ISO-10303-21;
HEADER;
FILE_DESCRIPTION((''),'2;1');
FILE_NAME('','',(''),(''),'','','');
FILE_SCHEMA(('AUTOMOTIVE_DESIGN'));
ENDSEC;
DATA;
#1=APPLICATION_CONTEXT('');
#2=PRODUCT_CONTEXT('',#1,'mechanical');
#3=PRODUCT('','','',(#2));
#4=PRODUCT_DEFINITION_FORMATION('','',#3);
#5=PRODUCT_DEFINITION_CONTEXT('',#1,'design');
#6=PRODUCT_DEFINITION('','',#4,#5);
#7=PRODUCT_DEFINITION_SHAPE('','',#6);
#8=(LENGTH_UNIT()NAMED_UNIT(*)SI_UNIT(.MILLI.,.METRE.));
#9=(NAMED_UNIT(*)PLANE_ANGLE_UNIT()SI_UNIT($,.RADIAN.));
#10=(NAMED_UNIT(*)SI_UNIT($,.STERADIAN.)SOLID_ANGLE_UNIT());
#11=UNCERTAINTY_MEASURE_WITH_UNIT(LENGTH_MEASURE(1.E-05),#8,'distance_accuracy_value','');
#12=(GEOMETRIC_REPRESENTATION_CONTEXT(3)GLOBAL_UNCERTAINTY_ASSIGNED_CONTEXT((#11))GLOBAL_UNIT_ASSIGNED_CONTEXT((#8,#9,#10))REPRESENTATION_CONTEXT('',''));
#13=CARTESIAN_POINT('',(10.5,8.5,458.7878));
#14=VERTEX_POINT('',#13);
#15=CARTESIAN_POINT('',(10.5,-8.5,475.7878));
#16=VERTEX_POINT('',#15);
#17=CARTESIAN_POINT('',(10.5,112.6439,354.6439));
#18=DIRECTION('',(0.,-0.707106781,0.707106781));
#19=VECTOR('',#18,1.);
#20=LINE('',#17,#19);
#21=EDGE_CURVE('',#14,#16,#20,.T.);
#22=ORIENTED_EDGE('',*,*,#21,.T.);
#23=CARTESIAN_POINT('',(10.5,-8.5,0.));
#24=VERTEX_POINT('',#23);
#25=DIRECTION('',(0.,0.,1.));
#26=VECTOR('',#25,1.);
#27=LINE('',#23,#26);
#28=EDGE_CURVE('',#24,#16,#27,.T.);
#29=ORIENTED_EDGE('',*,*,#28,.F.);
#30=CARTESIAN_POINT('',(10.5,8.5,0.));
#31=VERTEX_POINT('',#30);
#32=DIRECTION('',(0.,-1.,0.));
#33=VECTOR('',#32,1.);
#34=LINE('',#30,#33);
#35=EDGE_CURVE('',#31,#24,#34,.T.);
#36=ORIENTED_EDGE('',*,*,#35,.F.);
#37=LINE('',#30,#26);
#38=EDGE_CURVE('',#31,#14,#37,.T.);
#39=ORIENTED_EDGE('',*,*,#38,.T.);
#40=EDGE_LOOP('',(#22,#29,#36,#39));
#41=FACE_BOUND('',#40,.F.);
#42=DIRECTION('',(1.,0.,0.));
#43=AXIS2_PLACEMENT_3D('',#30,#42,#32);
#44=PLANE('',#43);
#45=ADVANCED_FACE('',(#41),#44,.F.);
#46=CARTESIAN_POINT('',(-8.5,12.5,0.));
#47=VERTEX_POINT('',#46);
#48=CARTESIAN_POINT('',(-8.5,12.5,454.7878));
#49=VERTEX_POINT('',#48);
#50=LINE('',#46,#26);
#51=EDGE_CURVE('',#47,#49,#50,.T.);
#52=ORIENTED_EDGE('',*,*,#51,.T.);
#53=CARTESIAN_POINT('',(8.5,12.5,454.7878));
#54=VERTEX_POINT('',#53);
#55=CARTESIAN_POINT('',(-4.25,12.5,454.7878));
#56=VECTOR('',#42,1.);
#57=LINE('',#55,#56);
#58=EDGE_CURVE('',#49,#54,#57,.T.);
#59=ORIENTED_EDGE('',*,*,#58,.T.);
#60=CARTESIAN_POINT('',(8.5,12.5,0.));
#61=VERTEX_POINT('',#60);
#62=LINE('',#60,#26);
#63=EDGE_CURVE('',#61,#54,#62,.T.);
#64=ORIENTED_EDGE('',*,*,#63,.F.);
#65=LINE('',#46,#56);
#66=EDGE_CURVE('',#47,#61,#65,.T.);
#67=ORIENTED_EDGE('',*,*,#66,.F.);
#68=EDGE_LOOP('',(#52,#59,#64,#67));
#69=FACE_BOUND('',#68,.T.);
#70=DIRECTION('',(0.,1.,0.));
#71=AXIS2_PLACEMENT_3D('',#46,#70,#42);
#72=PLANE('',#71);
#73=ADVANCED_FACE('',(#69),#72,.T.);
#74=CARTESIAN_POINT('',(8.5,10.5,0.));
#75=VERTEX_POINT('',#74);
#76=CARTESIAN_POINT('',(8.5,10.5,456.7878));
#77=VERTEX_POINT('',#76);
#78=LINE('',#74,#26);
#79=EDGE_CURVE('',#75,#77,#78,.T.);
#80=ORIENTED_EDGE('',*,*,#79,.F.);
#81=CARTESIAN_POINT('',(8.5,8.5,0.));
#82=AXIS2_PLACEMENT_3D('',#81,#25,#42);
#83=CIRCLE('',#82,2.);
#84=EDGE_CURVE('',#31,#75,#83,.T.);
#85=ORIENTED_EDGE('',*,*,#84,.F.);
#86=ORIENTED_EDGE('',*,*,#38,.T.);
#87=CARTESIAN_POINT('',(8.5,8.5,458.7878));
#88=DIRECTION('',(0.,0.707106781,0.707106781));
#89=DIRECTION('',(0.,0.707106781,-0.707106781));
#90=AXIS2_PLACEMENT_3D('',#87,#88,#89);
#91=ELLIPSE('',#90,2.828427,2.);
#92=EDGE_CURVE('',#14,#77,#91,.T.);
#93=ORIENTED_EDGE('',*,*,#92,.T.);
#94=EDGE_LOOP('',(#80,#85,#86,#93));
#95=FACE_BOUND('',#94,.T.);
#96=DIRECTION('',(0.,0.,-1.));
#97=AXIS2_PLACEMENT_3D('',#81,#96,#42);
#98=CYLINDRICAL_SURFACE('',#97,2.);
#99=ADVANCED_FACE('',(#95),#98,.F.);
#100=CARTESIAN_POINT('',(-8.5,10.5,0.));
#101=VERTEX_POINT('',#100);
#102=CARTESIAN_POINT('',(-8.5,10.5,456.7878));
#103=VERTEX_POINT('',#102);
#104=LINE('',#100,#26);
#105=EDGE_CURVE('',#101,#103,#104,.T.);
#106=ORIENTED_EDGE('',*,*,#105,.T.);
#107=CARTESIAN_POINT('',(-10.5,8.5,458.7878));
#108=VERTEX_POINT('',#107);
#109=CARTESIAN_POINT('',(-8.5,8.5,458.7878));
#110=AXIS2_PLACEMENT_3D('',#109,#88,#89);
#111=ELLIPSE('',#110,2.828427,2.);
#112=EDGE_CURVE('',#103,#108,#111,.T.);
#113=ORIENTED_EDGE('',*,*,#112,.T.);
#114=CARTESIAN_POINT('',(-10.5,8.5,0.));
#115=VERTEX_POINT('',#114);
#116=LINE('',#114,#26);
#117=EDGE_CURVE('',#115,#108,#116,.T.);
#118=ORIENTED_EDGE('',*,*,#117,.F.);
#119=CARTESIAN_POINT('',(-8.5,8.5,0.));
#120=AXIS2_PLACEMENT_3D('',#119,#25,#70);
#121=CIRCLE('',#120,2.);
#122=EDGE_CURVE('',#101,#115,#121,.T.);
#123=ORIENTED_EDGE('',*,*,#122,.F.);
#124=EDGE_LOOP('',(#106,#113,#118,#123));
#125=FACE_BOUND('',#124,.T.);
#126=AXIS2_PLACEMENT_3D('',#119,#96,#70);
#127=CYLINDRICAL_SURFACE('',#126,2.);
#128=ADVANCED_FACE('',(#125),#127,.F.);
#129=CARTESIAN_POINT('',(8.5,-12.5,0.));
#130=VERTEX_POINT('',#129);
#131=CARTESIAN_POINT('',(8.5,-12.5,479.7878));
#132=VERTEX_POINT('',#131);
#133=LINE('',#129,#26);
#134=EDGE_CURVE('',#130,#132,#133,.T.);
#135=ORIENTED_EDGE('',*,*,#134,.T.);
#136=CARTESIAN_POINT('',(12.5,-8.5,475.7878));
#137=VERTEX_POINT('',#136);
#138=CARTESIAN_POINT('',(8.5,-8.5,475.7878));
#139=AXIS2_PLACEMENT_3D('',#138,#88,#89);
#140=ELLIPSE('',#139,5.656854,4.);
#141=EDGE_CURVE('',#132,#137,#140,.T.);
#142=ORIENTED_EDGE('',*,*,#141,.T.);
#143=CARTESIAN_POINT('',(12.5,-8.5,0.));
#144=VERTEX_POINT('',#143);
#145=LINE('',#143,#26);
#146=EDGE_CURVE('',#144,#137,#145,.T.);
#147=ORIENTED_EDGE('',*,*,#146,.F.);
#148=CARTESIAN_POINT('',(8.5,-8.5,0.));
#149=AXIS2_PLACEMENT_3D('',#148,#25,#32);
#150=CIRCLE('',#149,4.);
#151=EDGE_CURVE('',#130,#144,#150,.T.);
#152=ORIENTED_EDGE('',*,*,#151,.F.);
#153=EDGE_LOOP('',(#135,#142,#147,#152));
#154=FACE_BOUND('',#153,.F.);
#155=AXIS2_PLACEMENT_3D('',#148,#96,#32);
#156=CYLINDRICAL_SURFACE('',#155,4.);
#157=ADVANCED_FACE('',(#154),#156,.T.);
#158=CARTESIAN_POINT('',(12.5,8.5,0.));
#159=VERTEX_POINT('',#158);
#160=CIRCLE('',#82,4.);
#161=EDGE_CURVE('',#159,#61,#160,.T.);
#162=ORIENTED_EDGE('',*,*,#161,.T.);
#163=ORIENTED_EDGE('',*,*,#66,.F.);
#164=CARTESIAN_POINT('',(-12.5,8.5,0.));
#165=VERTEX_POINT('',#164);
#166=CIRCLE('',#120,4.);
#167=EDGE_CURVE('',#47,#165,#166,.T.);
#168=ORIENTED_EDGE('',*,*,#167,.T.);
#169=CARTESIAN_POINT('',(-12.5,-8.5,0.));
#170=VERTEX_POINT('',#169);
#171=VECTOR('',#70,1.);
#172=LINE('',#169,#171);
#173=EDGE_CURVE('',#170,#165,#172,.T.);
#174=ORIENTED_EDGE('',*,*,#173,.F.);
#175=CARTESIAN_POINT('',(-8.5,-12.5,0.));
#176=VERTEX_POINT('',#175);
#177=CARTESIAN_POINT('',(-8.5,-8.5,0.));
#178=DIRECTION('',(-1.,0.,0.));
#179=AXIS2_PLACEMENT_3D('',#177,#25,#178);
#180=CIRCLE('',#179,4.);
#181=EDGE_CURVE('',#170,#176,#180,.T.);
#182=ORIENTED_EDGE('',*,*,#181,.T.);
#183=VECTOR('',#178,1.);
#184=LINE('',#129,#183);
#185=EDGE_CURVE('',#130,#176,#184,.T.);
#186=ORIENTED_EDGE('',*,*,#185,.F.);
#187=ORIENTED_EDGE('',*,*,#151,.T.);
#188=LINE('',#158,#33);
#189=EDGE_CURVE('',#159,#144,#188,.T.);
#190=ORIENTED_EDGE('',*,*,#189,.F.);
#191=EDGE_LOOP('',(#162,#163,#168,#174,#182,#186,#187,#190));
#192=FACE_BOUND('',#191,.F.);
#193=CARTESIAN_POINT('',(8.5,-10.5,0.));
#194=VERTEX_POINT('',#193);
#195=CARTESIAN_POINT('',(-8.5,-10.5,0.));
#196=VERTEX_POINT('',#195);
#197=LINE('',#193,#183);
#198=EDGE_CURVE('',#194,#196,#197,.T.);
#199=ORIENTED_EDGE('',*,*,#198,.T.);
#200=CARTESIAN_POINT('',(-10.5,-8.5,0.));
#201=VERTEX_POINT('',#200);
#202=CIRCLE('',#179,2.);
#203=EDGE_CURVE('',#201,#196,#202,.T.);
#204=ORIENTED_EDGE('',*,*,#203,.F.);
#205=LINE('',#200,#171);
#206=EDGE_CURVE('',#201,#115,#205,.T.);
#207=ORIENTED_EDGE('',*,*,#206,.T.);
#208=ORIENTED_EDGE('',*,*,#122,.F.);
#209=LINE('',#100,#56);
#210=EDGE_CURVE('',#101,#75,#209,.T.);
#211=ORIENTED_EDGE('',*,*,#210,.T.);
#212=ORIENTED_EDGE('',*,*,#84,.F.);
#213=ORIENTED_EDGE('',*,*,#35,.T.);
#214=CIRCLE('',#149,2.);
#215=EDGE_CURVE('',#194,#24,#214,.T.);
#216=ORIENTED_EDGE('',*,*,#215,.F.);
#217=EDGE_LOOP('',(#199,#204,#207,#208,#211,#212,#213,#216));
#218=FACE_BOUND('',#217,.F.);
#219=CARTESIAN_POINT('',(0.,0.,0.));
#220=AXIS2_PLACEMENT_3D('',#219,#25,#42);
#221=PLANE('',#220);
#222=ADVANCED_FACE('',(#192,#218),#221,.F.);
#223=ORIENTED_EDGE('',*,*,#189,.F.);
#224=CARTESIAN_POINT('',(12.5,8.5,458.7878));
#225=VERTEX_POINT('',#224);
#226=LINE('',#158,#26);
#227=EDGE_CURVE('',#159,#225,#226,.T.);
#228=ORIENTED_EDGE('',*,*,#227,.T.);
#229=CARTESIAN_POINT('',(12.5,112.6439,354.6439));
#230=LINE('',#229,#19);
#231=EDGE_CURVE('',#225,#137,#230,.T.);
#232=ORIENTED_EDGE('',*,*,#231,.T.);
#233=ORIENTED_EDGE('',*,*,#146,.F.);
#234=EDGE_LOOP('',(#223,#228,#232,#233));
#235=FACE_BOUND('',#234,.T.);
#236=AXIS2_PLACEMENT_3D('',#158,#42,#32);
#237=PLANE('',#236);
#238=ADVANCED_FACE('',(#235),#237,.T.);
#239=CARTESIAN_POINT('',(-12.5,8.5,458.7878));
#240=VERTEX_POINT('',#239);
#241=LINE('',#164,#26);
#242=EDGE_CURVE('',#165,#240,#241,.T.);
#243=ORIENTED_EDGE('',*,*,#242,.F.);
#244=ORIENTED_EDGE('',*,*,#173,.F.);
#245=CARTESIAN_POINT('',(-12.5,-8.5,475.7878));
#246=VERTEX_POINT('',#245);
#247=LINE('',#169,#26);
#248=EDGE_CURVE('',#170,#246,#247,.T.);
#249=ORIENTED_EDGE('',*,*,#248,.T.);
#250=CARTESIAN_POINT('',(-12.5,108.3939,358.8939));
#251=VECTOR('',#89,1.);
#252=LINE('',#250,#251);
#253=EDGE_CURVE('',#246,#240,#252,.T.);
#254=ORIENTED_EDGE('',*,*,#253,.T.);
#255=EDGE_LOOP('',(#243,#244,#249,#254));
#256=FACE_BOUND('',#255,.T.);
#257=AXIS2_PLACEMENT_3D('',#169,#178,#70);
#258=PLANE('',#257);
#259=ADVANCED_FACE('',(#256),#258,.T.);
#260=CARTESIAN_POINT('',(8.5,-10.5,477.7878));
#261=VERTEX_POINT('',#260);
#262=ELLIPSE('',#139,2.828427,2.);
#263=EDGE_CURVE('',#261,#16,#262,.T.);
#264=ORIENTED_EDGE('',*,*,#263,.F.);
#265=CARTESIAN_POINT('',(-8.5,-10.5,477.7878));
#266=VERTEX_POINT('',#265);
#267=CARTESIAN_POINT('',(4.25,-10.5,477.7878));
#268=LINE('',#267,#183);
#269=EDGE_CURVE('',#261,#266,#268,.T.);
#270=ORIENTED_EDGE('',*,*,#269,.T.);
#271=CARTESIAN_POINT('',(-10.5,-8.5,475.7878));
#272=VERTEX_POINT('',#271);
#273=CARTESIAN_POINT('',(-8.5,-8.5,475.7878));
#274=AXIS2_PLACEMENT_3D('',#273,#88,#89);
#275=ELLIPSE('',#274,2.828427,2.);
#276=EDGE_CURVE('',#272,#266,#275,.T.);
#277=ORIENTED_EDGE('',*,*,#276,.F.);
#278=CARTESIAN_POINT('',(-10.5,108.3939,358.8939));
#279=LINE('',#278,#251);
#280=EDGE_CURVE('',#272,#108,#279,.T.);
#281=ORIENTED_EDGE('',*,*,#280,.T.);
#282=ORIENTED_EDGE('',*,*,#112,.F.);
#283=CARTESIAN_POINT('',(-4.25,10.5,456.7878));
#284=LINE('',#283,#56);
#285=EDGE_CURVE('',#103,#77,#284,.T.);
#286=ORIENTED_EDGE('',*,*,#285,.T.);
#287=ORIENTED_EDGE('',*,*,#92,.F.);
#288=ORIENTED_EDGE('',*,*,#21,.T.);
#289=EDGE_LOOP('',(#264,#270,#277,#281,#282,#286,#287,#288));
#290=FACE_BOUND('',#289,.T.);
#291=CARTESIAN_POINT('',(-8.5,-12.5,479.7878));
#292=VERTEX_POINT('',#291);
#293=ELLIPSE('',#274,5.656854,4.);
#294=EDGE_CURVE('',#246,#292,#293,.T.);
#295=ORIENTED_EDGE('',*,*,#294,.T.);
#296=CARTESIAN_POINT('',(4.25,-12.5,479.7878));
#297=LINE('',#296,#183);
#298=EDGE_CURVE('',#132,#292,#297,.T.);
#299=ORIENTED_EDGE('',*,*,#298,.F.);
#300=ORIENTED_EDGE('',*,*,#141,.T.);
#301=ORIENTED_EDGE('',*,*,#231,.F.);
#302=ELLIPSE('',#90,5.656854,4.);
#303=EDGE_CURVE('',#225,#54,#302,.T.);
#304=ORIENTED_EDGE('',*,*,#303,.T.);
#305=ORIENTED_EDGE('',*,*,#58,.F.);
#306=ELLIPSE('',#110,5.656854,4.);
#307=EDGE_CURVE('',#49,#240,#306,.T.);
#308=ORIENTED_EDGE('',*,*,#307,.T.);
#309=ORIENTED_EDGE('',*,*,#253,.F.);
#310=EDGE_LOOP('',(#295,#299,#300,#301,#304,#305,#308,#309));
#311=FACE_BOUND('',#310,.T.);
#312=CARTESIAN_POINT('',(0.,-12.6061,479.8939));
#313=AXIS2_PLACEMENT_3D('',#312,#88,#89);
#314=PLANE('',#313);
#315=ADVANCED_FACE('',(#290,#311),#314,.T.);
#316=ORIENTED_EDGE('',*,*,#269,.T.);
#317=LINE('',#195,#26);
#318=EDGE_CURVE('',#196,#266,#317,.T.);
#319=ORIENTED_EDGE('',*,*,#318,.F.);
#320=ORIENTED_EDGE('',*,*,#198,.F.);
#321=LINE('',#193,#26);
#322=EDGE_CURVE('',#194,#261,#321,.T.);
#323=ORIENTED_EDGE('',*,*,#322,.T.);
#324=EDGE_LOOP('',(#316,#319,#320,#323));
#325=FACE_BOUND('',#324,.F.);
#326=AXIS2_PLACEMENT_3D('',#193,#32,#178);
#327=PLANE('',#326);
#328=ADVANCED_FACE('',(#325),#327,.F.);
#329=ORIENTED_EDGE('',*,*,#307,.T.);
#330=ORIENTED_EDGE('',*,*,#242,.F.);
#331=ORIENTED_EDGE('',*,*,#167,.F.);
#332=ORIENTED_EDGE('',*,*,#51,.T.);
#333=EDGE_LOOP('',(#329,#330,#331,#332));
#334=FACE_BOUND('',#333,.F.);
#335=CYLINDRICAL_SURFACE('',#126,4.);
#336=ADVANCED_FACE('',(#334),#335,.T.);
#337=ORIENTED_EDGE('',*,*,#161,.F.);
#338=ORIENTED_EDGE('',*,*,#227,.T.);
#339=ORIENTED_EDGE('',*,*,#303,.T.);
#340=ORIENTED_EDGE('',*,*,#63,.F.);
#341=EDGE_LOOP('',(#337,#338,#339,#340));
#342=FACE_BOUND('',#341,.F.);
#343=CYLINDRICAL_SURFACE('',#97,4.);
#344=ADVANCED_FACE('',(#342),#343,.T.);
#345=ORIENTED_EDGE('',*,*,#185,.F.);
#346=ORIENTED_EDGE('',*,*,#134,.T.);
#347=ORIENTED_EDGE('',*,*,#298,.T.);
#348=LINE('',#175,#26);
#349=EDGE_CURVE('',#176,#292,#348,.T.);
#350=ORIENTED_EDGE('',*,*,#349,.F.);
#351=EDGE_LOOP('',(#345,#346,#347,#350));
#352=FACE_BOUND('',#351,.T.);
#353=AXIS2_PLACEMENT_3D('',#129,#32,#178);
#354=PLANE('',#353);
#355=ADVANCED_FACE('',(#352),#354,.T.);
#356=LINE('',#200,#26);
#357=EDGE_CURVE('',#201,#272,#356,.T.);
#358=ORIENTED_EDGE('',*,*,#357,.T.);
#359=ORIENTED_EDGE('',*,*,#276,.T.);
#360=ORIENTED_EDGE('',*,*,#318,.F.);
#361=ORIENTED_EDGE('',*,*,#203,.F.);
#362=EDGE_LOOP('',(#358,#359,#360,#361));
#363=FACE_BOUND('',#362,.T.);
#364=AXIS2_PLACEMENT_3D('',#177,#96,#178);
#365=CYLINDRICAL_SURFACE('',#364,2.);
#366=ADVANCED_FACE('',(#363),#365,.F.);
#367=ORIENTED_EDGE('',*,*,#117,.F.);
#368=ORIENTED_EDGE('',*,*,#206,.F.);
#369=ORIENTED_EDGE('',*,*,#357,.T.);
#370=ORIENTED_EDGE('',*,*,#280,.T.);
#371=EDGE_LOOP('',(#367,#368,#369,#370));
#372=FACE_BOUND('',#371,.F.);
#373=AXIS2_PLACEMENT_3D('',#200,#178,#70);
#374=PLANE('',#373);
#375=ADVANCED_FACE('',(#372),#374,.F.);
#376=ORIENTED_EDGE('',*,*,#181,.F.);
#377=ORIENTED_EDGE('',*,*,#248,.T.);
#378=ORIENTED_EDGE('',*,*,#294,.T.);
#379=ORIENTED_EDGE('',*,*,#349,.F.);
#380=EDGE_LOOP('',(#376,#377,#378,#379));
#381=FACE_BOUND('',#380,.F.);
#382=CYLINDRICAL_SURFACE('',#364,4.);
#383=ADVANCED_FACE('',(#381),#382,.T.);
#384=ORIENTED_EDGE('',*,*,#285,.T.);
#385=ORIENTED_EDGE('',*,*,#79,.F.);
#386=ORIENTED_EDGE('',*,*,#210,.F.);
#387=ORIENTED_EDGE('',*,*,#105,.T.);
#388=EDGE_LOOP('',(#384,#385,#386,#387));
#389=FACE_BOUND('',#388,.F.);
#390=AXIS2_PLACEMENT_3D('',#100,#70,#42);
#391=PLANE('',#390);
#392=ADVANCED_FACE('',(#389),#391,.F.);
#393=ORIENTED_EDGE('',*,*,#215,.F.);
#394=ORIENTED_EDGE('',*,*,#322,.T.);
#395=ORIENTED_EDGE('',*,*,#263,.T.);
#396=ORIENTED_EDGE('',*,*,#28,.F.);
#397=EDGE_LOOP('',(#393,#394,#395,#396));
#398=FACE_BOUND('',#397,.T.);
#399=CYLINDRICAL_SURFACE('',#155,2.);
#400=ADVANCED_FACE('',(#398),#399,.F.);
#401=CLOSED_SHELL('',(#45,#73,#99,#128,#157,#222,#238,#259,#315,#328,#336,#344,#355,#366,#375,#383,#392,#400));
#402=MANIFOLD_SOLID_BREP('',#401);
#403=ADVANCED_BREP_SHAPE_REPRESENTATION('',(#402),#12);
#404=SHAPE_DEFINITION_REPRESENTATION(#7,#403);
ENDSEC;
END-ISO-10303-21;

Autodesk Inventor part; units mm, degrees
ref_plane "Start plane" through (0, 0, 0) normal (0, 0, 1) x (1, 0, 0)
ref_plane "End plane" through (0, 0, 479.7879) normal (0, 0, 1) x (1, 0, 0)
sketch "Sketch" plane through (0, 0, 0) normal (0, 0, 1) x (1, 0, 0)
  line L0 (-12.5, -8.5) -> (-12.5, 8.5)
  line L1 (-8.5, 12.5) -> (8.5, 12.5)
  line L2 (12.5, 8.5) -> (12.5, -8.5)
  line L3 (8.5, -12.5) -> (-8.5, -12.5)
  arc A0 (-12.5, -8.5) -> (-8.5, -12.5) centre (-8.5, -8.5) ccw
  arc A1 (12.5, 8.5) -> (8.5, 12.5) centre (8.5, 8.5) ccw
  arc A2 (-8.5, 12.5) -> (-12.5, 8.5) centre (-8.5, 8.5) ccw
  arc A3 (8.5, -12.5) -> (12.5, -8.5) centre (8.5, -8.5) ccw
  arc A4 (-8.5, 10.5) -> (-10.5, 8.5) centre (-8.5, 8.5) ccw
  line L4 (-8.5, 10.5) -> (8.5, 10.5)
  arc A5 (10.5, 8.5) -> (8.5, 10.5) centre (8.5, 8.5) ccw
  line L5 (10.5, 8.5) -> (10.5, -8.5)
  arc A6 (8.5, -10.5) -> (10.5, -8.5) centre (8.5, -8.5) ccw
  line L6 (8.5, -10.5) -> (-8.5, -10.5)
  arc A7 (-10.5, -8.5) -> (-8.5, -10.5) centre (-8.5, -8.5) ccw
  line L7 (-10.5, -8.5) -> (-10.5, 8.5)
  line L8 (0, 18.6598) -> (0, -18.6598) construction
  line L9 (-18.6598, 0) -> (18.6598, 0) construction
  dimension "d7" = 4
  dimension "d9" = 25
  dimension "d11" = 25
  dimension "d12" = 2
  dimension "d15" = 12.5
  dimension "d16" = 12.5
extrude "Body" add sketch "Sketch" along normal up to surface (479.7879 mm away) from surface at 0
sketch "Sketch3" plane through (0, 0, 0) normal (0, 0, 1) x (1, 0, 0)
  line L0 (0, 0) -> (10, 0)
ref_plane "Work Plane3" through (0, 0, 0) normal (0, -1, 0) x (1, 0, 0)
sketch "Sketch4" plane through (0, 0, 0) normal (0, -1, 0) x (1, 0, 0)
  line L0 (-2, 0) -> (12, 0)
  line L1 (-2, 479.7879) -> (12, 479.7879)
  dimension "d18" = 479.7879
ref_plane "Work Plane4" through (0, -12.6061, 479.8939) normal (0, 0.7071, 0.7071) x (1, 0, 0)
split "Split1" plane through (0, -12.6061, 479.8939) removes the side toward (0, 0.7071, 0.7071)
equation "\"d7\" = G_IR"
equation "\"d9\" = G_W"
equation "\"d11\" = G_H"
equation "\"d12\" = G_T"
equation "\"d15\" = 0.5 * d9"
equation "\"d16\" = 0.5 * d11"
equation "\"d3\" = G_L"
equation "\"G_W\" = 25"
equation "\"G_H\" = 25"
equation "\"G_T\" = 2"
equation "\"G_IR\" = 4"
equation "\"G_L\" = d18"
equation "\"G_OFFSET_START\" = 0"
equation "\"G_OFFSET_END\" = -0.21213"
equation "\"d14\" = G_OFFSET_END + B_L"
equation "\"B_L\" = 480"
properties part number "ISO 4019 - 25x25x2 - 479.788" material "Steel, Mild"
